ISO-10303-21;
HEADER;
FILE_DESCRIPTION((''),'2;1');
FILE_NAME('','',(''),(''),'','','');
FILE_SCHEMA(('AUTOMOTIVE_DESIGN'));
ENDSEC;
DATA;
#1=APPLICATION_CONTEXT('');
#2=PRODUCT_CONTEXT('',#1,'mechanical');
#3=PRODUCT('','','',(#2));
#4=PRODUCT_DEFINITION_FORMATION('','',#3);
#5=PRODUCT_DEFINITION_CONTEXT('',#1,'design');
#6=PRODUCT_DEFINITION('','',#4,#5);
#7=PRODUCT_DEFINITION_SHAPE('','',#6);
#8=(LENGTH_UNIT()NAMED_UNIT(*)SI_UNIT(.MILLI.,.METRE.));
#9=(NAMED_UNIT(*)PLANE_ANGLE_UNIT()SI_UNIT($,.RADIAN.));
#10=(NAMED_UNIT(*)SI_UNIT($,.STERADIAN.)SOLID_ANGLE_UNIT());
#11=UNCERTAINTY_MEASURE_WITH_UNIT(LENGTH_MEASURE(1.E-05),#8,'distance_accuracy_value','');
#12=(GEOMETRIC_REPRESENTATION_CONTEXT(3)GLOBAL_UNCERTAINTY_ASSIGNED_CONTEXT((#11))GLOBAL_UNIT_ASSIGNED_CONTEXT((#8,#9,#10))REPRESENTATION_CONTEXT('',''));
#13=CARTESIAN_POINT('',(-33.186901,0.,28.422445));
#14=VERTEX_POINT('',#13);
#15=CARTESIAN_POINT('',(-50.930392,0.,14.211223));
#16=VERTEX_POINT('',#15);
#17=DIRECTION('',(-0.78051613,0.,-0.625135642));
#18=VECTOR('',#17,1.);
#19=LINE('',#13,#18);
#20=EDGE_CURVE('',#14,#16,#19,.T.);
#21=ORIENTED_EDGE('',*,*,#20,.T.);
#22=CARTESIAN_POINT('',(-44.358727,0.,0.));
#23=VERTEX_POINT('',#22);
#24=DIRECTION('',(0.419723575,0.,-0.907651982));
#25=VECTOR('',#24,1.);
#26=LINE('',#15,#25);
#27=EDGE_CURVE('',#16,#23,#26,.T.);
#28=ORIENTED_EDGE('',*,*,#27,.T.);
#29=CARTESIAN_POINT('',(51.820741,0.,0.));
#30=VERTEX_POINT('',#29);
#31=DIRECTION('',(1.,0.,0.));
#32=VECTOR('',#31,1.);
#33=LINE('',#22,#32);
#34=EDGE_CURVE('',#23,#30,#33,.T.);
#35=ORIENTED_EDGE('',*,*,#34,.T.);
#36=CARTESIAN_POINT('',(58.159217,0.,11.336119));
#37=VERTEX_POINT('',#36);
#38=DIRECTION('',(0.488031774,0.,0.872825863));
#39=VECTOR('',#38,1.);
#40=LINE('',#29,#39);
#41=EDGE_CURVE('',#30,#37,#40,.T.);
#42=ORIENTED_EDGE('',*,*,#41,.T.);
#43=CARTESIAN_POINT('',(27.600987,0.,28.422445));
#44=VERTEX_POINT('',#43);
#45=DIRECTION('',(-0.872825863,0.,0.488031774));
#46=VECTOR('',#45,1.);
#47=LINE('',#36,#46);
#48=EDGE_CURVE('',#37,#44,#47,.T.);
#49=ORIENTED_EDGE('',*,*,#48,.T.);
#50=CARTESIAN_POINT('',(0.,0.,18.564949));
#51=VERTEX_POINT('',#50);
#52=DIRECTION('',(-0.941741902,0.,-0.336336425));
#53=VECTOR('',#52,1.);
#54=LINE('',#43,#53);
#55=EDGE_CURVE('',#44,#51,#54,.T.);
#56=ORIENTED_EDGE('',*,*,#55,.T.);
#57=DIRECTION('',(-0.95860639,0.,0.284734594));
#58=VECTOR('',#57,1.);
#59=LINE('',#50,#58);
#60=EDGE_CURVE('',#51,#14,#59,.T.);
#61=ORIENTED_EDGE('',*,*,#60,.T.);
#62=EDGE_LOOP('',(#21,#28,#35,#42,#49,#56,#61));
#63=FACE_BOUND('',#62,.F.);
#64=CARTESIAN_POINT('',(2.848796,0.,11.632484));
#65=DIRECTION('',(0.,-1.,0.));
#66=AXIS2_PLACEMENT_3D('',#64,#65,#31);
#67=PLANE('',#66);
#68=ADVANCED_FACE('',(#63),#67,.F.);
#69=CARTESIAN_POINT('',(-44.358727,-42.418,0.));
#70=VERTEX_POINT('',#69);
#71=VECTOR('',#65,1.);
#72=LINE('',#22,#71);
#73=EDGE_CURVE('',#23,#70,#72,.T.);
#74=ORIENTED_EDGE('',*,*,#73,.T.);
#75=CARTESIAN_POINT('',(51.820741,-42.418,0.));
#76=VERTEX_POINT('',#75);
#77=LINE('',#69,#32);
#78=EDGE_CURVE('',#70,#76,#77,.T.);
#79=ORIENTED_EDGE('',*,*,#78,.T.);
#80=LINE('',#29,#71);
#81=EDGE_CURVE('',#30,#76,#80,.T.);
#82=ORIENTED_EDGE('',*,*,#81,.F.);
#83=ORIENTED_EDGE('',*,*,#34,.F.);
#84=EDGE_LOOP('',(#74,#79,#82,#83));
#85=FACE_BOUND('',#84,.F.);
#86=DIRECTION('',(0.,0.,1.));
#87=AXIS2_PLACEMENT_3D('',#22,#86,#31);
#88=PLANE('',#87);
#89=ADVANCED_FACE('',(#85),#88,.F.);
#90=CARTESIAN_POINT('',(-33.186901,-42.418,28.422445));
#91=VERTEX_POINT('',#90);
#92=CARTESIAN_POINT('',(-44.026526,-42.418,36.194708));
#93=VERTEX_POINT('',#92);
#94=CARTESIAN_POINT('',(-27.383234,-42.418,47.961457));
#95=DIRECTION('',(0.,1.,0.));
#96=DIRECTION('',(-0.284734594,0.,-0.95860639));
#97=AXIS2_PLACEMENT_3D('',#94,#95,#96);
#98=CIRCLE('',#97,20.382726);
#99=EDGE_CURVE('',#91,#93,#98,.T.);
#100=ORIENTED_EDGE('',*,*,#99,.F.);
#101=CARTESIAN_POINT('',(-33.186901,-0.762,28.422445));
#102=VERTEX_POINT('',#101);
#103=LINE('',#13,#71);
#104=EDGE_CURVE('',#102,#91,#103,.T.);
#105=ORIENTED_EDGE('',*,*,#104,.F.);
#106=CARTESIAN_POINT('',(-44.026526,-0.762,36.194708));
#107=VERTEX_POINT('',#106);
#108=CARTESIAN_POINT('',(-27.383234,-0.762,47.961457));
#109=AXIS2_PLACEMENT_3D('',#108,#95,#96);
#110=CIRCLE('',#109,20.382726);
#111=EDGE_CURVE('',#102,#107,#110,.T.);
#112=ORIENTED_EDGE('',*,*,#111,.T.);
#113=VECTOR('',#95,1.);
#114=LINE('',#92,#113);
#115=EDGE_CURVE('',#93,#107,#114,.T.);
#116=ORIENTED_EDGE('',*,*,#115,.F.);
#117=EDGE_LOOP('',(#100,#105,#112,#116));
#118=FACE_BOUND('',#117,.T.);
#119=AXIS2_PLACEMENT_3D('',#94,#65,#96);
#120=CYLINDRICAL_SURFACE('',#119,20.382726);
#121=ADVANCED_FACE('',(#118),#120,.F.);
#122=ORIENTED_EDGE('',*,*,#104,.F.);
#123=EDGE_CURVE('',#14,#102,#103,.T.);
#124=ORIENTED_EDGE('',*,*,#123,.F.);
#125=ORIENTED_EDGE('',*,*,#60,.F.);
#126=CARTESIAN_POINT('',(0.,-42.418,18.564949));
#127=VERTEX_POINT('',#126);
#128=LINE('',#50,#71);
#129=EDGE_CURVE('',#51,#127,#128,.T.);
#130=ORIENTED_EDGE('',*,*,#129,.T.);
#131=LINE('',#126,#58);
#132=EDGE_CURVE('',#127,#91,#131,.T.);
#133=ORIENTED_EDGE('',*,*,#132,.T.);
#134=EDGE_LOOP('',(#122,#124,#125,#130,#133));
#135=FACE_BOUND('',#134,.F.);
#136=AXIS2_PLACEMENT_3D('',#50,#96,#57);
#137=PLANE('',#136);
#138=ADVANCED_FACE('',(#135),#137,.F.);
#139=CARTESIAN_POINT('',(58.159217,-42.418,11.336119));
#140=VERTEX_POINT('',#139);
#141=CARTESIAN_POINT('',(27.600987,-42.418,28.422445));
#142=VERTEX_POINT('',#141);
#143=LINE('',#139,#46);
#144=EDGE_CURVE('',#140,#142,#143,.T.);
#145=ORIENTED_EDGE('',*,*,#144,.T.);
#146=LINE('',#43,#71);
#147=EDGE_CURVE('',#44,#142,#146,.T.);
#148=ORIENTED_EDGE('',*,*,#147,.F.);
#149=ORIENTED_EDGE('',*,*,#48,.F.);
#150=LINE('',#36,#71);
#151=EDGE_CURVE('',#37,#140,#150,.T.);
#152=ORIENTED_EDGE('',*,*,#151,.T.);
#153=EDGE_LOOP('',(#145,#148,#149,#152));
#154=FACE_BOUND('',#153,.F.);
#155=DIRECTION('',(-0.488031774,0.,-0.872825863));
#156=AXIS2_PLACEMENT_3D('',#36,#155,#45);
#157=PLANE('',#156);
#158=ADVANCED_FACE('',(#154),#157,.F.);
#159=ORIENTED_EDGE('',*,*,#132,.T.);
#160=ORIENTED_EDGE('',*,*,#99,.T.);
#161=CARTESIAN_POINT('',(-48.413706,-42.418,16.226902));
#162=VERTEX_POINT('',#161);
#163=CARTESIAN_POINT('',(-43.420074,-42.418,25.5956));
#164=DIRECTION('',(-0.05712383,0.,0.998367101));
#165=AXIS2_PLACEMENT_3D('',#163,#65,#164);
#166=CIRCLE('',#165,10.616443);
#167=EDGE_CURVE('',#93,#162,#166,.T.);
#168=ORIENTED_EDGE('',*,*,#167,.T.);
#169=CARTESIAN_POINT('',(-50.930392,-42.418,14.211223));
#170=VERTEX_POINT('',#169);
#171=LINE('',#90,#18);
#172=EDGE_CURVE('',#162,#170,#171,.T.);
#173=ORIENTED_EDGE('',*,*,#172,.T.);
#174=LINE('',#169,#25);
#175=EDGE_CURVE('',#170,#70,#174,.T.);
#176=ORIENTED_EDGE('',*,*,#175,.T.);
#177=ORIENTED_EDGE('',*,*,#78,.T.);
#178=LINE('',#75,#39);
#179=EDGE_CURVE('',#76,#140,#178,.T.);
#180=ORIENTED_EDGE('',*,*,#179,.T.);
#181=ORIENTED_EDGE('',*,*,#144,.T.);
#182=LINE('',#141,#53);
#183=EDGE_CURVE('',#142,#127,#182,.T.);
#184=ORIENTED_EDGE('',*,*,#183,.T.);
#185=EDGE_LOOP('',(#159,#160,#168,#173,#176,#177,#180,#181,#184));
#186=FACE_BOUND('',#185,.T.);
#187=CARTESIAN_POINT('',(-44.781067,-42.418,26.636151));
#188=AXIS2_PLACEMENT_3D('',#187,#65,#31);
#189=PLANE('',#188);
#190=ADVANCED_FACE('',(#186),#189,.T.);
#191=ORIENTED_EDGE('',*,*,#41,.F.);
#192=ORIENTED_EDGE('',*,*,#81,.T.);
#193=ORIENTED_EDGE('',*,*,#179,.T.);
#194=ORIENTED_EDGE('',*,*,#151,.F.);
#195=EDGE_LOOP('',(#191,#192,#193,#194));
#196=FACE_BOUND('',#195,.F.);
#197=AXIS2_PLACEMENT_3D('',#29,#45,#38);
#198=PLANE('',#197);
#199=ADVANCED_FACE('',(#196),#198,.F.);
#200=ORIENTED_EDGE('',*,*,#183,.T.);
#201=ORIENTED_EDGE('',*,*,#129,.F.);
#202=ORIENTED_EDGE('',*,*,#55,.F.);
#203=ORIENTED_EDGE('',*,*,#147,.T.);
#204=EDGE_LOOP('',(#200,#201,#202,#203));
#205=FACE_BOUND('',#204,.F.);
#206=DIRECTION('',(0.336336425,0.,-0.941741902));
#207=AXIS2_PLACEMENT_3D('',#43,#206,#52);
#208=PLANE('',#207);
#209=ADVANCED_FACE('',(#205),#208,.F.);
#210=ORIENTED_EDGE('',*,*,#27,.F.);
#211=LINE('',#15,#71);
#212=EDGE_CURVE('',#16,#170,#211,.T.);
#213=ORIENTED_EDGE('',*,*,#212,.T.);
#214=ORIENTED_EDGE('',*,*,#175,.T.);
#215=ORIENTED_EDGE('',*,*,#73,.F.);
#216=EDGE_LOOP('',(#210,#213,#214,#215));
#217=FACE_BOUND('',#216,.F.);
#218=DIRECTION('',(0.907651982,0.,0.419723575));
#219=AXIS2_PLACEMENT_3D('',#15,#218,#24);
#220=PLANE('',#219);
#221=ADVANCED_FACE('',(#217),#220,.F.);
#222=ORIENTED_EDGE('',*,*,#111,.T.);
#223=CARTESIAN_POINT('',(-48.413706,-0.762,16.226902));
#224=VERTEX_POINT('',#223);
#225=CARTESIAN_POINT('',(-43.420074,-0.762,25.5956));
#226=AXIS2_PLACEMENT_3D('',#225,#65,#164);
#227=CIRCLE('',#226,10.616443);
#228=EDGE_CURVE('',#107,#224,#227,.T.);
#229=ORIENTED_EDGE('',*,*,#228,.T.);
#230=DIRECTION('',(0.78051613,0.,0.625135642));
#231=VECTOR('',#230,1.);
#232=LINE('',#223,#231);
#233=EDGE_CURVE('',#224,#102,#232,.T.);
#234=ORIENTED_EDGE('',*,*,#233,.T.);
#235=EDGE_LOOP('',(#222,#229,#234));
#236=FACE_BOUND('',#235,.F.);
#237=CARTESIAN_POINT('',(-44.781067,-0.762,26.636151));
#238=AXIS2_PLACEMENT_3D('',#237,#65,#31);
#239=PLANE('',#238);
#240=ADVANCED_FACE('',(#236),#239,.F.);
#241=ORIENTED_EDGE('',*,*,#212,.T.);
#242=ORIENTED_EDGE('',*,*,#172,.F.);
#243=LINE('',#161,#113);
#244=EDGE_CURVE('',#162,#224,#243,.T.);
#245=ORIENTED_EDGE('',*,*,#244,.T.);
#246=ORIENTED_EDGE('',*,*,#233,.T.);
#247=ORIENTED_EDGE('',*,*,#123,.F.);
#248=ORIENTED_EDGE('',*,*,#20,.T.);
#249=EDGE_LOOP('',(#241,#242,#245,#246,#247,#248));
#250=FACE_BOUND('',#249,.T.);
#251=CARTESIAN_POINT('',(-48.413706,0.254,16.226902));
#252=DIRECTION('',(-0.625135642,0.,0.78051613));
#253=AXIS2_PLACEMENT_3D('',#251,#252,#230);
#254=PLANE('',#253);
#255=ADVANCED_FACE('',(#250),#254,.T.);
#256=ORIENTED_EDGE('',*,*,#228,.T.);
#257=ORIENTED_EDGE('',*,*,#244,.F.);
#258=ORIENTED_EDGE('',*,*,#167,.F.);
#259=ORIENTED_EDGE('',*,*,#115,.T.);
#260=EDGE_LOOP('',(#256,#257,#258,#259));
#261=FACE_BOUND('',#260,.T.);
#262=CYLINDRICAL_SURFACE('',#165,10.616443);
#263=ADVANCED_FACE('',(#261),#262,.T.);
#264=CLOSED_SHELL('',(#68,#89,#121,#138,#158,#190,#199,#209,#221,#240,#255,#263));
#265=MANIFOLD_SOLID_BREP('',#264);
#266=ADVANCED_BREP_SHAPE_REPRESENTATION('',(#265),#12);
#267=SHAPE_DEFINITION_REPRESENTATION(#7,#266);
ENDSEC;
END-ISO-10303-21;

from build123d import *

# Parameters (mm, degrees)
F1_DEPTH = 42.418
F3_DEPTH = 42.672
F4_DEPTH = 1.016


with BuildPart() as f1:
    # F0 (on Front) → F1 (new body)
    with BuildSketch(Plane.XZ):
        Polygon((0, 18.5649488121), (-33.1869013608, 28.4224450588), (-50.9303919971, 14.2112225294), (-44.3587265909, 0), (51.8207407387, 0), (58.1592172384, 11.3361189142), (27.600986883, 28.4224450588), align=None)
    extrude(amount=F1_DEPTH)

    # F2 (on face) → F3 (join)
    with BuildSketch(Plane.XZ.offset(42.418)):
        with BuildLine():
            ThreePointArc((-33.1869013608, 28.4224450588), (-39.2604604224, 31.3968249678), (-44.0265255123, 36.194707738))
            ThreePointArc((-44.0265255123, 36.194707738), (-53.7891889284, 27.8738262503), (-48.4137057273, 16.2269019326))
            Line((-48.4137057273, 16.2269019326), (-33.1869013608, 28.4224450588))
        make_face()
    extrude(amount=-F3_DEPTH)

    # F4 (cut): a face of the model
    f4_faces = [f1.faces().sort_by_distance(p)[0] for p in [
        (-45.7791341784, 0.254, 26.7092590305),
    ]]
    extrude(f4_faces, amount=-F4_DEPTH, mode=Mode.SUBTRACT)


solid = f1.part
